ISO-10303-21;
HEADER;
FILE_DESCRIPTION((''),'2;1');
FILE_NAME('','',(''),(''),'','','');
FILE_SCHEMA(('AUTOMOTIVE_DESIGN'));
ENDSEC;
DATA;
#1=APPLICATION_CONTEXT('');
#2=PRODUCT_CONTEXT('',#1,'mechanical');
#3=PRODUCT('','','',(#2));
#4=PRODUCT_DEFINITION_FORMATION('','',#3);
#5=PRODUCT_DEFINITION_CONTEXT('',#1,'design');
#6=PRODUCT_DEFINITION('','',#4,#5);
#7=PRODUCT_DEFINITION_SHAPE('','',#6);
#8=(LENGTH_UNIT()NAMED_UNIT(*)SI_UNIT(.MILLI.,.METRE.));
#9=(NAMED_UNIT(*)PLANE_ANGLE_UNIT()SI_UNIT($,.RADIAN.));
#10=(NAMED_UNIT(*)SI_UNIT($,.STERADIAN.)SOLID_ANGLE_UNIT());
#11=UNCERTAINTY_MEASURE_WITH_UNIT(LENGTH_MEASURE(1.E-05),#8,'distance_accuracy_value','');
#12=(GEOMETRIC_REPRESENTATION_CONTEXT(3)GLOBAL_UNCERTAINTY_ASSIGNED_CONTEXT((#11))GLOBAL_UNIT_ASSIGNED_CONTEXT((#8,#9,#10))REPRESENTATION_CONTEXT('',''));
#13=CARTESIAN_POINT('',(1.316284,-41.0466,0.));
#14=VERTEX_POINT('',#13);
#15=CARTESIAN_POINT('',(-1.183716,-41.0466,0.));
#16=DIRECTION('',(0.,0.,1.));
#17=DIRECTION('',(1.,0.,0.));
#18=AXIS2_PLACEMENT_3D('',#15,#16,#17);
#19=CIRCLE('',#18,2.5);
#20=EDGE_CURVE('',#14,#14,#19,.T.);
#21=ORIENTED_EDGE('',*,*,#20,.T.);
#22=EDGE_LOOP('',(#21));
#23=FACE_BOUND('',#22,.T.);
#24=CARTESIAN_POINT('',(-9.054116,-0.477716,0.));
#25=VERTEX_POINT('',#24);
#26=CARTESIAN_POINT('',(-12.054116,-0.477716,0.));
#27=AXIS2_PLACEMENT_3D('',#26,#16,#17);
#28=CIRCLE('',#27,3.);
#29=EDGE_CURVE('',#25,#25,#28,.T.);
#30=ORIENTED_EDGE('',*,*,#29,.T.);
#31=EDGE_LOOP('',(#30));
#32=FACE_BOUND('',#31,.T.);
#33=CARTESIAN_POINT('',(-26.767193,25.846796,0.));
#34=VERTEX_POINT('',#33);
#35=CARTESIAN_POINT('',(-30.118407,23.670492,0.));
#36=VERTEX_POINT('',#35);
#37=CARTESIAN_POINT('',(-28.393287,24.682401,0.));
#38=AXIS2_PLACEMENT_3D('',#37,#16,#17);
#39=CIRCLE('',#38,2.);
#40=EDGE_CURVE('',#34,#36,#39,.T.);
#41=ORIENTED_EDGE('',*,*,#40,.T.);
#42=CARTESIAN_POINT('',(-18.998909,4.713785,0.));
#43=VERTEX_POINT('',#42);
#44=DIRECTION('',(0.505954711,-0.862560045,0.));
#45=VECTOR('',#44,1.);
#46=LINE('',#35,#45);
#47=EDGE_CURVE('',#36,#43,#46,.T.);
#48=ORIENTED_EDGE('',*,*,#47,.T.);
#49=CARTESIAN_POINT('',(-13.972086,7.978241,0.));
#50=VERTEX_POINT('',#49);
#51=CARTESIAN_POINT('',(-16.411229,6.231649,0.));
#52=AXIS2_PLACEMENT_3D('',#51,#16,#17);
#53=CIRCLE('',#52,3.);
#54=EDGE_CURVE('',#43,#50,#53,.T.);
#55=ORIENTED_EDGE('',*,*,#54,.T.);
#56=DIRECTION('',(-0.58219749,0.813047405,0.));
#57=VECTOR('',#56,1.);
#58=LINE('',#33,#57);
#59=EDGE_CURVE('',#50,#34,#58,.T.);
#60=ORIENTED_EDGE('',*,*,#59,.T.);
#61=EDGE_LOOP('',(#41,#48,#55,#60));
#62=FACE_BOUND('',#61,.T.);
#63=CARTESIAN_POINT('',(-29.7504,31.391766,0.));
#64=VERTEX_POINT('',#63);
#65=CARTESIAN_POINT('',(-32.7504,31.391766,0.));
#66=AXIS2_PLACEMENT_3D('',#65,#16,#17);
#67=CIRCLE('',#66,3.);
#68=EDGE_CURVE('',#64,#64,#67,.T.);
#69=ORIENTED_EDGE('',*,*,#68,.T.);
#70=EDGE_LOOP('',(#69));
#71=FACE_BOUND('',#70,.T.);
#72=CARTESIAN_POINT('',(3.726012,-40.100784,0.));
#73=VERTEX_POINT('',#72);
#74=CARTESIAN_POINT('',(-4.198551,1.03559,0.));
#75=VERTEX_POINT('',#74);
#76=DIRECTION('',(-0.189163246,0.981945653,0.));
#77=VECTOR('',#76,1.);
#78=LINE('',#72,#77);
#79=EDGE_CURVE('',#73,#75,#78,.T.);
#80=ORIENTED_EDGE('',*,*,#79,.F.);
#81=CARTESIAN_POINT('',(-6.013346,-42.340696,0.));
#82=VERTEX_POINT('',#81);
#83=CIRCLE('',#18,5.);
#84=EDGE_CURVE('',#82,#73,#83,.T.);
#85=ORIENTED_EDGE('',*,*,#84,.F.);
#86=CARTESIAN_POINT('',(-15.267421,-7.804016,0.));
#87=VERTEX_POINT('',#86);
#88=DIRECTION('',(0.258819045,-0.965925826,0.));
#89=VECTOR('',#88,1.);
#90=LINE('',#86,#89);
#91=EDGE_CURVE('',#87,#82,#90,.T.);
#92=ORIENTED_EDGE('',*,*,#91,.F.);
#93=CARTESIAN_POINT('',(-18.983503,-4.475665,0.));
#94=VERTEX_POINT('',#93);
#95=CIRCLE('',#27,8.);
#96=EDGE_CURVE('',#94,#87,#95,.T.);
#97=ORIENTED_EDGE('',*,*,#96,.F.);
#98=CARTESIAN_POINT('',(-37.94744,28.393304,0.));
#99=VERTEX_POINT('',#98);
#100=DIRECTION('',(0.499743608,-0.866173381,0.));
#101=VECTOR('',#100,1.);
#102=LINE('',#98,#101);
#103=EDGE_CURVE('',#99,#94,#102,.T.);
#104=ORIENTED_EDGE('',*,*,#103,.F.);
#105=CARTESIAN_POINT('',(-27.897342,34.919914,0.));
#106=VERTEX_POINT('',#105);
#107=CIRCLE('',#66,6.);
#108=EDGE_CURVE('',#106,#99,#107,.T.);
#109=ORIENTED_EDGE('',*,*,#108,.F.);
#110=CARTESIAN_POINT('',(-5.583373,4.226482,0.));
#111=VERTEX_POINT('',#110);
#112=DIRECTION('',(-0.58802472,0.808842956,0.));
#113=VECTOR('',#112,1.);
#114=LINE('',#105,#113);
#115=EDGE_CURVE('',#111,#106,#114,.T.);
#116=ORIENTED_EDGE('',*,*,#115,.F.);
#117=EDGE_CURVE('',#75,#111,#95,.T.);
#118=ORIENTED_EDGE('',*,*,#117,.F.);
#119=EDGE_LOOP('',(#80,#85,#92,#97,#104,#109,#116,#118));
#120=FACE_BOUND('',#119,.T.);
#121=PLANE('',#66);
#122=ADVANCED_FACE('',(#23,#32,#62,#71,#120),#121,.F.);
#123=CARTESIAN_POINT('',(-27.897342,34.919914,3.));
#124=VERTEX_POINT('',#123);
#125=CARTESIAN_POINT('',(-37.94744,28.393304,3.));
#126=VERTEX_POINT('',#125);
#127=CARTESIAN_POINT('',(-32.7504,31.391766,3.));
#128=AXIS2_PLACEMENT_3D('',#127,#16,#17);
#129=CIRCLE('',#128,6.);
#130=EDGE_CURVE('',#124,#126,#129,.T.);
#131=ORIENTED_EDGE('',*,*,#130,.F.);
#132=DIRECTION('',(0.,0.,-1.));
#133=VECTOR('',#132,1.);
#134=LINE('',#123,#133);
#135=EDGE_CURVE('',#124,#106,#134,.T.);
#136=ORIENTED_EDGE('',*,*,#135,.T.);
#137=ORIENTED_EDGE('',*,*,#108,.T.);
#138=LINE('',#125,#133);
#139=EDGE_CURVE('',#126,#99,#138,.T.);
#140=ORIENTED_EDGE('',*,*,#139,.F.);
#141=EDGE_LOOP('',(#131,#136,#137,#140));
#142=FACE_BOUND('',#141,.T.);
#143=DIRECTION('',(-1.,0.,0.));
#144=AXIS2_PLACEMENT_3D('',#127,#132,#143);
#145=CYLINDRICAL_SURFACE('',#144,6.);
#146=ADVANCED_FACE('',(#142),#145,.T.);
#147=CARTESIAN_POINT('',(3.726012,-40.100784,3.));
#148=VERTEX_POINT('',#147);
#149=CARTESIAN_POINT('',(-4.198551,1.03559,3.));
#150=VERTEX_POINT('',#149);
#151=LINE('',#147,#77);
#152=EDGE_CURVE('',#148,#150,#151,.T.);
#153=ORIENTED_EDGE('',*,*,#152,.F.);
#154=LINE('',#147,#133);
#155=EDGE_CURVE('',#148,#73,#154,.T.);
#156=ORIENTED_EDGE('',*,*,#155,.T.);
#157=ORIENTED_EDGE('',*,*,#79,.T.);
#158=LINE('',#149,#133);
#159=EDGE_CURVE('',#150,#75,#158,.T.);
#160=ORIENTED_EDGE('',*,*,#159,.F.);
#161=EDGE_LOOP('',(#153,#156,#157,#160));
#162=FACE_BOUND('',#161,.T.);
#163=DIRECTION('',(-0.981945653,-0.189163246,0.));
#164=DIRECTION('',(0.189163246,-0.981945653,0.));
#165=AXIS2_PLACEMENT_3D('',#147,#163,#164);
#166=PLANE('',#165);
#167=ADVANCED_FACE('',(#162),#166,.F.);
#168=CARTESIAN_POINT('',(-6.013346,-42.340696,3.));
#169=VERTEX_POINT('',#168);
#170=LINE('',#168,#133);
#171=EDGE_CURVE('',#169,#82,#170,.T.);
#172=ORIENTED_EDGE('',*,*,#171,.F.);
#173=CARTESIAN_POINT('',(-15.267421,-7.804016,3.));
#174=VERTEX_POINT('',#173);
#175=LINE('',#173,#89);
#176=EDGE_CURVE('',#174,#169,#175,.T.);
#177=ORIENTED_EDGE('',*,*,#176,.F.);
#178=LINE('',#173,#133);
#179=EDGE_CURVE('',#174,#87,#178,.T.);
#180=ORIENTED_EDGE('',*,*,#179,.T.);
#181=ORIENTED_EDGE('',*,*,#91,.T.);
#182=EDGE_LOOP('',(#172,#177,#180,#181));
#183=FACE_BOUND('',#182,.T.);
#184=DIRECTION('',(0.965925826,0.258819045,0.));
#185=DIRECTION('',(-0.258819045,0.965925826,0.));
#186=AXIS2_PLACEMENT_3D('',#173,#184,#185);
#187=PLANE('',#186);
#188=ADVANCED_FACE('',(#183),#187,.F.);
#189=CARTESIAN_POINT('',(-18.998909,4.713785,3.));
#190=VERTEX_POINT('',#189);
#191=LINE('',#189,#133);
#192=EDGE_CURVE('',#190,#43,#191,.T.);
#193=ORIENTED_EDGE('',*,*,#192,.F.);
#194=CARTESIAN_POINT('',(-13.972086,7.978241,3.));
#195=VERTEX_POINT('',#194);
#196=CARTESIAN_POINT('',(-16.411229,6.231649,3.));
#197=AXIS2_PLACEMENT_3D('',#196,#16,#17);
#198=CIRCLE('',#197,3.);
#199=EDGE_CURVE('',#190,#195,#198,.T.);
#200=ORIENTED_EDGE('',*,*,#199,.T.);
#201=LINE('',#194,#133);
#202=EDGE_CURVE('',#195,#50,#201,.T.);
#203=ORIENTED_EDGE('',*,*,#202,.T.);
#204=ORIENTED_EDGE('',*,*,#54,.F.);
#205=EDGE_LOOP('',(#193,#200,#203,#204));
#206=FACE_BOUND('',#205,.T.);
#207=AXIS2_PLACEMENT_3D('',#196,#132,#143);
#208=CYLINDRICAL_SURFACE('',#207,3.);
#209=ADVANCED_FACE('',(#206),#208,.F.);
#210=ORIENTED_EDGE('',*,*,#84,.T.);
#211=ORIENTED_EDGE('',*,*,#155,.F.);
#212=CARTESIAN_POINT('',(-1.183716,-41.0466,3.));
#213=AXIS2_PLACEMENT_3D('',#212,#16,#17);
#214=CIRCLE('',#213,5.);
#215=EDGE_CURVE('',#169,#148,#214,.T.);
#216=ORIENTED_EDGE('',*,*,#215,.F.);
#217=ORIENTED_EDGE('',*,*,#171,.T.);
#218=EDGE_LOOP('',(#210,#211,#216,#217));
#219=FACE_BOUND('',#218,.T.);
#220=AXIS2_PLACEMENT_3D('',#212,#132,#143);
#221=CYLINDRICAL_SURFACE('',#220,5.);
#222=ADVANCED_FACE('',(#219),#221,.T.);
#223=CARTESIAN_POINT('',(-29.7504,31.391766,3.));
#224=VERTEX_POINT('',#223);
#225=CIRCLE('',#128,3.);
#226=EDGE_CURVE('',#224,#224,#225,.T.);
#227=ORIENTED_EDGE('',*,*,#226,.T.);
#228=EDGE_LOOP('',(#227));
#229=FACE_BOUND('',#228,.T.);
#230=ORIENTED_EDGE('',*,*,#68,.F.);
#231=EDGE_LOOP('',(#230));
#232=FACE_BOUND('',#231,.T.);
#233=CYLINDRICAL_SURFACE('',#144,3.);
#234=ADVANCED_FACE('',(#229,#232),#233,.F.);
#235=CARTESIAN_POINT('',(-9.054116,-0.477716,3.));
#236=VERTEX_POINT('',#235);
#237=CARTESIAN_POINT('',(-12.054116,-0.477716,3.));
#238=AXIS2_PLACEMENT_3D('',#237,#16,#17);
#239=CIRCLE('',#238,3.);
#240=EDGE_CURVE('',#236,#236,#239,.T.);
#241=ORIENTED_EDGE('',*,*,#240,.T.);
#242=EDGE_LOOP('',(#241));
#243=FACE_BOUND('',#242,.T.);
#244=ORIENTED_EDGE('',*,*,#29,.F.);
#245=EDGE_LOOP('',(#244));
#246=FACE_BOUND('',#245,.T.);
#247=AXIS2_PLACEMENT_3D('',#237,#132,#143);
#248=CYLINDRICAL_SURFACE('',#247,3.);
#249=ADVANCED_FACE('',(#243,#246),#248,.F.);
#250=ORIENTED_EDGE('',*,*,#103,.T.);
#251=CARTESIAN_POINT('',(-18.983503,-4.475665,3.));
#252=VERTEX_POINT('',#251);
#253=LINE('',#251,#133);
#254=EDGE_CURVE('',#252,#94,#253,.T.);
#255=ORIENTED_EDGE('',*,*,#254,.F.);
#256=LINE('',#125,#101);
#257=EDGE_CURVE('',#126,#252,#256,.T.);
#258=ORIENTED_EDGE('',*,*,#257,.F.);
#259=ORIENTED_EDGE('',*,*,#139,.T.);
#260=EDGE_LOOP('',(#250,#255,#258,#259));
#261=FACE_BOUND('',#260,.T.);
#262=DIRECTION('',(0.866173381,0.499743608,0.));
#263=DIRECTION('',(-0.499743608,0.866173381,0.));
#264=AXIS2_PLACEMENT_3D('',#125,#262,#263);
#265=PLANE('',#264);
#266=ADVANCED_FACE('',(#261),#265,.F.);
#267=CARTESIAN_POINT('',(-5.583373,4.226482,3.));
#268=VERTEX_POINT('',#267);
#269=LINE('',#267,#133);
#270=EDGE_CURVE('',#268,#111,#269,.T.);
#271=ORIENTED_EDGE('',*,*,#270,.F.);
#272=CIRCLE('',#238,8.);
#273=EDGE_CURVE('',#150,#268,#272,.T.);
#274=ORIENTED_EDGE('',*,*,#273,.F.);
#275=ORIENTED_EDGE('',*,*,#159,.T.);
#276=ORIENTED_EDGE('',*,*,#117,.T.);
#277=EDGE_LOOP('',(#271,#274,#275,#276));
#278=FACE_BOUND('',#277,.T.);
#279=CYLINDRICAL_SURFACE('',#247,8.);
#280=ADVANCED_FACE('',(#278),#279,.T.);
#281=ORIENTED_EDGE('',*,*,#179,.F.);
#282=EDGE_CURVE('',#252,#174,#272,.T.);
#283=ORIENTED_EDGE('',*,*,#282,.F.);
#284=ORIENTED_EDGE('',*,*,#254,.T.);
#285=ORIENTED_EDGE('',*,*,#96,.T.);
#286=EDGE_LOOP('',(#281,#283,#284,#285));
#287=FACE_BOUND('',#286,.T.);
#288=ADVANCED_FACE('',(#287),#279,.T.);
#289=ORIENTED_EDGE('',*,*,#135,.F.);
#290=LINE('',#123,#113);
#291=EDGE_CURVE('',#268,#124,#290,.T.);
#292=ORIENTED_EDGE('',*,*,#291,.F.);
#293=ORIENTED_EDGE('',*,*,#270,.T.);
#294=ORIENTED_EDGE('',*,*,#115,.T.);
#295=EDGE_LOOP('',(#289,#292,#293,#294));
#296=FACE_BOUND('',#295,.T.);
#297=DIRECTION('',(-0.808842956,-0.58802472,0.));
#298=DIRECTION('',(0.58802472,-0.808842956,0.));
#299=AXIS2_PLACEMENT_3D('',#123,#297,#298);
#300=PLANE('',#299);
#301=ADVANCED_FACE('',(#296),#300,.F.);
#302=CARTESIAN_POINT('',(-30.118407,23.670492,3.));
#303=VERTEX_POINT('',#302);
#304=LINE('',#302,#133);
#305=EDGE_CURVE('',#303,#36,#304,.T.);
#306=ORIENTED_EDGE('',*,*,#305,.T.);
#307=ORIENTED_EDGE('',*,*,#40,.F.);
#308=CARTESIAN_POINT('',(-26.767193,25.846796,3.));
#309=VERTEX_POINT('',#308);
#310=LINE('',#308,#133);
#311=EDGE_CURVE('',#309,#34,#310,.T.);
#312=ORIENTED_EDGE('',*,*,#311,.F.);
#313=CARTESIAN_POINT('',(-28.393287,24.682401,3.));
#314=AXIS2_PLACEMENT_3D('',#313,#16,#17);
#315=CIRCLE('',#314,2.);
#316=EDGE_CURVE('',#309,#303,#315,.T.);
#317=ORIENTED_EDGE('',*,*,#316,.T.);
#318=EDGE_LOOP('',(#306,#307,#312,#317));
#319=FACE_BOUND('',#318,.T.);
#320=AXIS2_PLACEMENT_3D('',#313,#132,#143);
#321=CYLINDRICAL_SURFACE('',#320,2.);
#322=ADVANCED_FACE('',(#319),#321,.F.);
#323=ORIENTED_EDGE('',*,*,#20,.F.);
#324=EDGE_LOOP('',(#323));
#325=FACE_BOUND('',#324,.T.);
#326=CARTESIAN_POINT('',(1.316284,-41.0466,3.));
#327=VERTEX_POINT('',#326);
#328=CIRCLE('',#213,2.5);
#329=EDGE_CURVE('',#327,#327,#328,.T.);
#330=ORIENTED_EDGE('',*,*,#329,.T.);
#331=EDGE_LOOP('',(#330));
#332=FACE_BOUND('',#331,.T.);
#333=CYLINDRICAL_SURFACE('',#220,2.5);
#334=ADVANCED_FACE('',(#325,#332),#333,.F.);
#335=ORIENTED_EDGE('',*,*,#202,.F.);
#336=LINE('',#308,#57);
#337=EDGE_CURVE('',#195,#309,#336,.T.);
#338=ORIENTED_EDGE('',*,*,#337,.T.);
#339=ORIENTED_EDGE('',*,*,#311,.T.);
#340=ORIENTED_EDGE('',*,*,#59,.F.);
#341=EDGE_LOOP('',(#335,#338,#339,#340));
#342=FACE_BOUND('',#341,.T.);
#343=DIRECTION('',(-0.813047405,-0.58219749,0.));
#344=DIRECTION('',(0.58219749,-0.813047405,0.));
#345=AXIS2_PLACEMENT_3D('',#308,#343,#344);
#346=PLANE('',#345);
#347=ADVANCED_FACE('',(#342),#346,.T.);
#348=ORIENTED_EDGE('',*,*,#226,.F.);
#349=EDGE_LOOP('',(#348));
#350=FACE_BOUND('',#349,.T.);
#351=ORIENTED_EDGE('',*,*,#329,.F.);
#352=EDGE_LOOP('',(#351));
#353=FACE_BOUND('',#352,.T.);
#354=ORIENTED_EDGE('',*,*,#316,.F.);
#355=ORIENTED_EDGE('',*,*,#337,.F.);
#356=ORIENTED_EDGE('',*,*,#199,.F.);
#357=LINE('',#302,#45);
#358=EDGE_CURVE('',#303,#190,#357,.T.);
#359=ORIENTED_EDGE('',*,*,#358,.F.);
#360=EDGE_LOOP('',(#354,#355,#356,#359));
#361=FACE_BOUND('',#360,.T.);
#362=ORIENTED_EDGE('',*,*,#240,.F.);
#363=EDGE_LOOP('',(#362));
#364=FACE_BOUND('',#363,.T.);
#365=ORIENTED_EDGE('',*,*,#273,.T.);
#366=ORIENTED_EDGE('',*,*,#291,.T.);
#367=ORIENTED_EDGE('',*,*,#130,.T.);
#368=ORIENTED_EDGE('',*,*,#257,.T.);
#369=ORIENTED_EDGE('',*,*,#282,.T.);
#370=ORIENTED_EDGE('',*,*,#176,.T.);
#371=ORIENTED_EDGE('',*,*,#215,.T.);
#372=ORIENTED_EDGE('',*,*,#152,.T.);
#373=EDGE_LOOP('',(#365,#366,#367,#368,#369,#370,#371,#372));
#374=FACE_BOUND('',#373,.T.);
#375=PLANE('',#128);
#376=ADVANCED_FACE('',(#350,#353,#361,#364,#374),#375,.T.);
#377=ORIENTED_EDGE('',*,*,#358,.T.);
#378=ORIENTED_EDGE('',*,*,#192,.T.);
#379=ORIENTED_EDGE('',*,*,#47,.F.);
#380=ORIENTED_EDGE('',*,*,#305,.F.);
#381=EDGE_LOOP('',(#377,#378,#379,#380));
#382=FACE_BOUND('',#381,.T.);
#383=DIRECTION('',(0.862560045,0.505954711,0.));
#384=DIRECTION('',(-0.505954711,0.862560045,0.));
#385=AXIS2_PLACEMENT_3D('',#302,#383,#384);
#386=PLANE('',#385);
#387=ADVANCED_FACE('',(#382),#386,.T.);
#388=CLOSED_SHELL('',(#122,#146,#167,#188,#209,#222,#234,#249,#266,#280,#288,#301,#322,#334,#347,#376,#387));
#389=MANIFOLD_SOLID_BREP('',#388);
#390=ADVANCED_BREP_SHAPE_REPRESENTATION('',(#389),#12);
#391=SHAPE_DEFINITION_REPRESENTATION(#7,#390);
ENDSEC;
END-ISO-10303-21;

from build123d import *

# Parameters (mm, degrees)
SKETCH_2_R      = 2.5
SKETCH_2_R_2    = 3
EXTRUDE_1_DEPTH = 3


with BuildPart() as part:
    # 草图2 → 凸台-拉伸1 (new body)
    with BuildSketch(Plane.XY):
        with BuildLine():
            Line((-37.947439952, 28.393304212), (-18.983503384, -4.475664586))
            ThreePointArc((-18.983503384, -4.475664586), (-17.391534203, -6.436907823), (-15.267421048, -7.804015799))
            Line((-15.267421048, -7.804015799), (-6.013345572, -42.340695651))
            ThreePointArc((-6.013345572, -42.340695651), (-0.063044856, -45.919391741), (3.726011827, -40.100784195))
            Line((3.726011827, -40.100784195), (-4.198551107, 1.035590248))
            ThreePointArc((-4.198551107, 1.035590248), (-4.715435995, 2.707212985), (-5.583372683, 4.226482041))
            Line((-5.583372683, 4.226482041), (-27.897341927, 34.919914183))
            ThreePointArc((-27.897341927, 34.919914183), (-36.018233875, 36.423789268), (-37.947439952, 28.393304212))
        make_face()
        with Locations((-1.18371644, -41.046600426)):
            Circle(SKETCH_2_R, mode=Mode.SUBTRACT)
        with Locations((-12.054116335, -0.477715722)):
            Circle(SKETCH_2_R_2, mode=Mode.SUBTRACT)
        with Locations((-32.750399665, 31.39176586)):
            Circle(SKETCH_2_R_2, mode=Mode.SUBTRACT)
        with BuildLine():
            Line((-30.118407474, 23.670491895), (-18.998908748, 4.713784689))
            ThreePointArc((-18.998908748, 4.713784689), (-14.77731151, 3.715637118), (-13.9720864, 7.978241292))
            Line((-13.9720864, 7.978241292), (-26.767192575, 25.846796296))
            ThreePointArc((-26.767192575, 25.846796296), (-29.482565455, 26.359742452), (-30.118407474, 23.670491895))
        make_face(mode=Mode.SUBTRACT)
    extrude(amount=EXTRUDE_1_DEPTH)


solid = part.part
